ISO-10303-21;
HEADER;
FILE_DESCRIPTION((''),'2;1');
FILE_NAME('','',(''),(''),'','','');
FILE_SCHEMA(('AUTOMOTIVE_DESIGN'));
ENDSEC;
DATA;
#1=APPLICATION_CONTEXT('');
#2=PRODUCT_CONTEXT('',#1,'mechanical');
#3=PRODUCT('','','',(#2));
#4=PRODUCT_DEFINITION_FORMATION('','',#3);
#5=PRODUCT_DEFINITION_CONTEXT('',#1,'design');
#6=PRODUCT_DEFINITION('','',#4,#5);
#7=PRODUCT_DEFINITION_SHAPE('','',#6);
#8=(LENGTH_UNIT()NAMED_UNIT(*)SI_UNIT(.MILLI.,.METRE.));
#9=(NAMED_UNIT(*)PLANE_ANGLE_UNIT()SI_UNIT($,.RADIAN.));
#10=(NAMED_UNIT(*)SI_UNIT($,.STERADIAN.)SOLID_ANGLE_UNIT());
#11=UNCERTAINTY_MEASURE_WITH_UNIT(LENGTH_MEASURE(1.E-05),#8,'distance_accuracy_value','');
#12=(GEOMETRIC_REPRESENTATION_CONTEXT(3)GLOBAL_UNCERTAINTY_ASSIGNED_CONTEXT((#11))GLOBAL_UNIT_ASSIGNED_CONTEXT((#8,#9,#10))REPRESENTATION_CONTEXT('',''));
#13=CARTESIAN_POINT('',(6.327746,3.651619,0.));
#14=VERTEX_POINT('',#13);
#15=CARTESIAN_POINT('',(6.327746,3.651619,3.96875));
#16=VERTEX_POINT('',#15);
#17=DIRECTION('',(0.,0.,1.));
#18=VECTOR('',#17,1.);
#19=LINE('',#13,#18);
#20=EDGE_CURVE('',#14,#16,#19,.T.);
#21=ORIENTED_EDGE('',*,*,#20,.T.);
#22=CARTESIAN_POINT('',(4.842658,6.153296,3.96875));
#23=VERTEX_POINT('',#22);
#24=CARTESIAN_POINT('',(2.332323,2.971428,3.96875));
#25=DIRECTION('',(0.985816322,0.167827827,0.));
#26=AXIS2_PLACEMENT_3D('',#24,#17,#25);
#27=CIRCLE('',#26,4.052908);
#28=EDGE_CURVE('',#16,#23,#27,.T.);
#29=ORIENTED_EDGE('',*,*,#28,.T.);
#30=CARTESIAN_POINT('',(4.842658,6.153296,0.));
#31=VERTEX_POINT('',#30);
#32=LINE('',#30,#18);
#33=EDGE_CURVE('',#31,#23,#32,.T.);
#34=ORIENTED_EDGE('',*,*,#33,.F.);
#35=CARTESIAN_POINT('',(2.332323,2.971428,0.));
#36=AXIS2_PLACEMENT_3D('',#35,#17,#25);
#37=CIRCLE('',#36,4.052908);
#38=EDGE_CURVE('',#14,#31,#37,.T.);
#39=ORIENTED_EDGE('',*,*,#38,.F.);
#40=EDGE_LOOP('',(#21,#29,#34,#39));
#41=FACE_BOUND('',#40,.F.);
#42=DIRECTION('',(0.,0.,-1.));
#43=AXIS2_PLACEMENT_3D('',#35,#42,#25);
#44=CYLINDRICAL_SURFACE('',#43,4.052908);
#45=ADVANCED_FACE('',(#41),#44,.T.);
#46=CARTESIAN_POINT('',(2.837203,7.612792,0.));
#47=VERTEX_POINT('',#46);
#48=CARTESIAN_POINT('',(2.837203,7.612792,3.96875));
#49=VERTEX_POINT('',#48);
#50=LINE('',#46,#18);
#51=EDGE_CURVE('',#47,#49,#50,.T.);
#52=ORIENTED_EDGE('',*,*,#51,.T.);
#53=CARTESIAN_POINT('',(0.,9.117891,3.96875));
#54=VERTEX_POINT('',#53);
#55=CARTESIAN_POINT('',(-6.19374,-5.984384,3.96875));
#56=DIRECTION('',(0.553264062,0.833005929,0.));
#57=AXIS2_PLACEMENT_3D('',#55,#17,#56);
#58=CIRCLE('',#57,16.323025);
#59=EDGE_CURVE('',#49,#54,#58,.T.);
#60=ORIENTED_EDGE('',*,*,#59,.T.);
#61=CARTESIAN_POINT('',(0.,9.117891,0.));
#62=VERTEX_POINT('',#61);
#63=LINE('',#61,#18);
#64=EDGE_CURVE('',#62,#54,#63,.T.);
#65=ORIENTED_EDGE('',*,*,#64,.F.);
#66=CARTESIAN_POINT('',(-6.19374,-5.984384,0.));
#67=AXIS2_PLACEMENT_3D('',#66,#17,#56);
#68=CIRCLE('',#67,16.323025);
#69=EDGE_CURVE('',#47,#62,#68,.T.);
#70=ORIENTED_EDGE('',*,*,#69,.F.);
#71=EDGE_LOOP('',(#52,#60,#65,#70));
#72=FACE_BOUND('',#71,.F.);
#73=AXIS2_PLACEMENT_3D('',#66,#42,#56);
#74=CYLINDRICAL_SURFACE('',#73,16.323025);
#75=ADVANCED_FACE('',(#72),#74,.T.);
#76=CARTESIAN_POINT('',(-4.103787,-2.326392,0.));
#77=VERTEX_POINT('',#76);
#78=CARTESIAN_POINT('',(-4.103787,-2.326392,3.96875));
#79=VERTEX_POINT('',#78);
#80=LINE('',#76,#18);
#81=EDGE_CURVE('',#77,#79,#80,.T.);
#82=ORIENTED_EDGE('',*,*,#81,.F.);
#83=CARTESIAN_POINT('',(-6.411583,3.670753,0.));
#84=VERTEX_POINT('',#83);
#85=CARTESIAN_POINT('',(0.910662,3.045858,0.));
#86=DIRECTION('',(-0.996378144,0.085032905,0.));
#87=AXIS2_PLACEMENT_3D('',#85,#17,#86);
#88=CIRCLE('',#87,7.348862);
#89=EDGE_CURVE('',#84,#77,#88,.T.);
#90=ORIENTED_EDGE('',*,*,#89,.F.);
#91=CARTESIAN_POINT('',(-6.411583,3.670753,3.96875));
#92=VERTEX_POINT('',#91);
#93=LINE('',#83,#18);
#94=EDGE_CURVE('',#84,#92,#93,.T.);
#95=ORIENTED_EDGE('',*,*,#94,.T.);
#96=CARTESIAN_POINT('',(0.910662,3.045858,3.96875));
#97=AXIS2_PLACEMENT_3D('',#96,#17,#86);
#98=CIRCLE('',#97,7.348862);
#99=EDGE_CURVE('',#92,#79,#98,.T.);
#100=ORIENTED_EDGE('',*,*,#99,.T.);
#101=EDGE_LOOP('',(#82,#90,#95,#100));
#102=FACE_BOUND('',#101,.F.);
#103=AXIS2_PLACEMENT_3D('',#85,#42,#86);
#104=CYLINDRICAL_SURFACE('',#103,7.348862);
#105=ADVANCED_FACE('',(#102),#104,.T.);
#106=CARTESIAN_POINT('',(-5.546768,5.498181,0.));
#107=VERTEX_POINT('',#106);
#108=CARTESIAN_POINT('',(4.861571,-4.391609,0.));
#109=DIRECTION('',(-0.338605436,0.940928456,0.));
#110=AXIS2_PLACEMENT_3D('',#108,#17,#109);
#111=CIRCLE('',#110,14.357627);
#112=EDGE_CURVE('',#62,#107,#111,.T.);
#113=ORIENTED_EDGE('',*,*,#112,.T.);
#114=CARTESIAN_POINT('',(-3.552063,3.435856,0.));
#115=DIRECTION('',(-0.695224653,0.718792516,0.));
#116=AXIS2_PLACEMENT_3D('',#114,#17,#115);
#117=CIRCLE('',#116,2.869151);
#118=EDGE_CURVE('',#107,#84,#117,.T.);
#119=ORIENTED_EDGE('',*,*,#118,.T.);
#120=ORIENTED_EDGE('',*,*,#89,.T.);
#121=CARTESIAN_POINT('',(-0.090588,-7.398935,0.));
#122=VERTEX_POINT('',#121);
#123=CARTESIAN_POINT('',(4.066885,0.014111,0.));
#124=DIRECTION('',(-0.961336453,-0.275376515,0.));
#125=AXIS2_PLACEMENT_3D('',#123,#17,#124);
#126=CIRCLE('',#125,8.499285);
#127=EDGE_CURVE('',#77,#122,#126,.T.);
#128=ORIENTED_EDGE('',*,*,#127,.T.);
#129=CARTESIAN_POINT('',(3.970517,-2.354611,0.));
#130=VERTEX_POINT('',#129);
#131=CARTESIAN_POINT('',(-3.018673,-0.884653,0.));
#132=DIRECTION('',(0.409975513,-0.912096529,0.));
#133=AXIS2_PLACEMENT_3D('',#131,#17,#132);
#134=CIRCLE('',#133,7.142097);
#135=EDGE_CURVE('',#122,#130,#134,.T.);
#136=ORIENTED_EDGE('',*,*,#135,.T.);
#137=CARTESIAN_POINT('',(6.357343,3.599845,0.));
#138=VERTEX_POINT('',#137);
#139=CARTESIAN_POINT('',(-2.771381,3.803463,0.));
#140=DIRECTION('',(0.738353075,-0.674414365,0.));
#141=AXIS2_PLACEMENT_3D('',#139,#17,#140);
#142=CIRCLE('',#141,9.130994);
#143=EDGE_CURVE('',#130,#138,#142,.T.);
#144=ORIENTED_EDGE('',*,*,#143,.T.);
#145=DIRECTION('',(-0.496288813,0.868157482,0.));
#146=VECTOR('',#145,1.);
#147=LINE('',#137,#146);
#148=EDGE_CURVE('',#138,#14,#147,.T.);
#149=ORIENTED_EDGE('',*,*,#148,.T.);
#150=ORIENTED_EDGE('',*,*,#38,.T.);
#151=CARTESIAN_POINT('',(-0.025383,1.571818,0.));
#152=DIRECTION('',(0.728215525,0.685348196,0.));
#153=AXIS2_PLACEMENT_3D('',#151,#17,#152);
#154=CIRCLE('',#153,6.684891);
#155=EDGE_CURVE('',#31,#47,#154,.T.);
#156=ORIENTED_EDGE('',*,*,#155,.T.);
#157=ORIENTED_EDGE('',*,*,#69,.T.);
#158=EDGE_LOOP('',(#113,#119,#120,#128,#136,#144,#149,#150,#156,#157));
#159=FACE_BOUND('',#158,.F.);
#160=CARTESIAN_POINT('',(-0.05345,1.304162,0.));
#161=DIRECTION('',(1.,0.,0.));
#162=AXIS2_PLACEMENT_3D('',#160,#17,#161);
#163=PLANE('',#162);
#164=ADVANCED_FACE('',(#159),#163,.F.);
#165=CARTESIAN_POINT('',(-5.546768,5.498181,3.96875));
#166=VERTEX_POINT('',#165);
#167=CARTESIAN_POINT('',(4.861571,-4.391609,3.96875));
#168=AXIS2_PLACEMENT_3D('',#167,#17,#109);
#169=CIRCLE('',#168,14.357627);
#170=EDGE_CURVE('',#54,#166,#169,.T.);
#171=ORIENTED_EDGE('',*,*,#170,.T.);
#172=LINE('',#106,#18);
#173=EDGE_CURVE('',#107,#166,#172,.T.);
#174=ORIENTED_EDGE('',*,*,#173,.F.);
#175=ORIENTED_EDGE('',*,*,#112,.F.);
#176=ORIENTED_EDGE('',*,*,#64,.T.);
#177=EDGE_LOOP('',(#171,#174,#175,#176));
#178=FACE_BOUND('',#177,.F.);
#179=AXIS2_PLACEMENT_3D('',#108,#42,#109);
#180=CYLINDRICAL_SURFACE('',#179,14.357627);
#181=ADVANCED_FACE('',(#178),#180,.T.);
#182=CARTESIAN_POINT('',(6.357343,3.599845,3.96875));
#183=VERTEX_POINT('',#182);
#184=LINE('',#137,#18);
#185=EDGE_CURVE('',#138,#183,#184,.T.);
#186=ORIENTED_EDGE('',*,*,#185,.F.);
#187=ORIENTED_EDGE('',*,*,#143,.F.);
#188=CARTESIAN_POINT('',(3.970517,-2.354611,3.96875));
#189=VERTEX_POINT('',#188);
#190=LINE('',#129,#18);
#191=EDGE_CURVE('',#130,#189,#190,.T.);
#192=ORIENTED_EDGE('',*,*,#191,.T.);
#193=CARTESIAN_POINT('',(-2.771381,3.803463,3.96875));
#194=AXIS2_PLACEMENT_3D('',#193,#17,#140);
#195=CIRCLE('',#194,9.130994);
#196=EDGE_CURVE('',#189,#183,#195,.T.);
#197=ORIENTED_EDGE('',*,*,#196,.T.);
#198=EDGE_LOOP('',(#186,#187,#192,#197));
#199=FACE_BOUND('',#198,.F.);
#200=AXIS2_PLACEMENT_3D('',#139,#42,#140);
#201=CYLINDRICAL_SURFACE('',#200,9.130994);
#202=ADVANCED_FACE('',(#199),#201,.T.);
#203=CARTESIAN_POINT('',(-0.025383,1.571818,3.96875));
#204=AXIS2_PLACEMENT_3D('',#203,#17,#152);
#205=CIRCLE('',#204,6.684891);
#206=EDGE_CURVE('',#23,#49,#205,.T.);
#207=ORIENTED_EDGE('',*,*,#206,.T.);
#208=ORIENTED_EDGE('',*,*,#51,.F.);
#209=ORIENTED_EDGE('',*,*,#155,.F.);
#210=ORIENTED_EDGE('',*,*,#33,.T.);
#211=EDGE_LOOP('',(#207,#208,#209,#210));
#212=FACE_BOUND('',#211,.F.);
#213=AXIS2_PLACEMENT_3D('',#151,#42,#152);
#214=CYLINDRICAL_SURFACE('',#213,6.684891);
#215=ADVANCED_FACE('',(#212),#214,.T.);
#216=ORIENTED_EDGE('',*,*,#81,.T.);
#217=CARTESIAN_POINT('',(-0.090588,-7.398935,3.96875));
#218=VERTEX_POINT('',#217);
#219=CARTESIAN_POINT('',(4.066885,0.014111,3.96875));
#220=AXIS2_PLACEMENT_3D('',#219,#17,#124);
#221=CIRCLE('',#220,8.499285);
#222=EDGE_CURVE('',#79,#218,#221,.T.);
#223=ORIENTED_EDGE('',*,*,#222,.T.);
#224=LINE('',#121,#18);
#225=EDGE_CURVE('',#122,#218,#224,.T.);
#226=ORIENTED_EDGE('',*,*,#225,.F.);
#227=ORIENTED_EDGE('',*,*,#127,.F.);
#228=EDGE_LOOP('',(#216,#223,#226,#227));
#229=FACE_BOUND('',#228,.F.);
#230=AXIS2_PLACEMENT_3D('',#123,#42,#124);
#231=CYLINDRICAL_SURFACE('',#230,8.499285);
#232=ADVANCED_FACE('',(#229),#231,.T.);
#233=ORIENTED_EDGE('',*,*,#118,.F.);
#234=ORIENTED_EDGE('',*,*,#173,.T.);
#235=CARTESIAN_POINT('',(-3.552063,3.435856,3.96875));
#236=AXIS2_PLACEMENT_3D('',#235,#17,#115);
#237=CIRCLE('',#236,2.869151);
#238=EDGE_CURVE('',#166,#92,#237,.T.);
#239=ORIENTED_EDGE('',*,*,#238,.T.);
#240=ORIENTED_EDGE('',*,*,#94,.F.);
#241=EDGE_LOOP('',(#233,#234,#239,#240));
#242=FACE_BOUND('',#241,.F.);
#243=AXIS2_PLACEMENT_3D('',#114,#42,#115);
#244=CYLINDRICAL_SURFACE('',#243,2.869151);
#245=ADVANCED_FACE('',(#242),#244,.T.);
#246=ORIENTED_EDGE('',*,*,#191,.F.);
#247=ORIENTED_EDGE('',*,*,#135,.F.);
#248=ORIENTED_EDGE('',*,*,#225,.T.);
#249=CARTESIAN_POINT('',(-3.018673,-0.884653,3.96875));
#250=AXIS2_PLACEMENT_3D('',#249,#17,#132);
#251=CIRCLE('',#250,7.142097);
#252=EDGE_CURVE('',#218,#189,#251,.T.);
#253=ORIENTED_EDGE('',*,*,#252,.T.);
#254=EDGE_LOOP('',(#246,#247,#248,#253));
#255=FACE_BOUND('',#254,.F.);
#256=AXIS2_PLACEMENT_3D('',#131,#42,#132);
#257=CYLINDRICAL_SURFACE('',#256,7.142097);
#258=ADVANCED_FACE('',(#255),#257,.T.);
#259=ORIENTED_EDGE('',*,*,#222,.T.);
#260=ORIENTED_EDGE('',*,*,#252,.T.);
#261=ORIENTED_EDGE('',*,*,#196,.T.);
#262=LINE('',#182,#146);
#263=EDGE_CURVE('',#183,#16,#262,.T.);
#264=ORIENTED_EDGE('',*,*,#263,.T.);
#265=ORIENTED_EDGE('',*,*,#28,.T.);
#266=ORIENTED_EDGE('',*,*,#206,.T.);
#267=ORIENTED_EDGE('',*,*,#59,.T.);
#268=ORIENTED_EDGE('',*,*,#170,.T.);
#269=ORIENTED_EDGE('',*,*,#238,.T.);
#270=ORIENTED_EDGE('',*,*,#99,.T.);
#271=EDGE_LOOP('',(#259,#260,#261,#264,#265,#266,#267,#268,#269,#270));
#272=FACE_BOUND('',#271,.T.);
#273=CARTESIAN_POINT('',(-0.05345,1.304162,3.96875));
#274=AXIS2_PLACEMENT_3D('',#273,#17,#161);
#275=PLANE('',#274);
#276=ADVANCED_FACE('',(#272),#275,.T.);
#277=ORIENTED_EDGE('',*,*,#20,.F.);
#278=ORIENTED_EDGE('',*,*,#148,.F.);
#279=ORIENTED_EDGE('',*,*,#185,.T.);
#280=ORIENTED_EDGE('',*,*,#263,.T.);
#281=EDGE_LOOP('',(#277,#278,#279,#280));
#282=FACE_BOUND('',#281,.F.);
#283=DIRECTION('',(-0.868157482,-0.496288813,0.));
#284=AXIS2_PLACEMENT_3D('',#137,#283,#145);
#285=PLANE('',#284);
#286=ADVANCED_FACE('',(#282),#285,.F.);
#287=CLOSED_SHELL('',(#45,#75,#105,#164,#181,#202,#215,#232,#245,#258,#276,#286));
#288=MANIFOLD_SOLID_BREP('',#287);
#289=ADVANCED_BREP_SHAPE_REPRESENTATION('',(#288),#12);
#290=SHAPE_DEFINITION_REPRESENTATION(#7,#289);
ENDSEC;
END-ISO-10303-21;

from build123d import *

# Parameters (mm, degrees)
F1_DEPTH = 3.96875


with BuildPart() as f1:
    # F0 (on Top) → F1 (new body)
    with BuildSketch(Plane.XY):
        with BuildLine():
            ThreePointArc((6.327746, 3.651619), (5.817408, 5.040304), (4.842658, 6.153296))
            ThreePointArc((4.842658, 6.153296), (3.908213, 6.97687), (2.837203, 7.612792))
            ThreePointArc((2.837203, 7.612792), (1.455709, 8.435292), (0, 9.117891))
            ThreePointArc((0, 9.117891), (-2.984964, 7.632257), (-5.546768, 5.498181))
            ThreePointArc((-5.546768, 5.498181), (-6.145468, 4.663163), (-6.411583, 3.670753))
            ThreePointArc((-6.411583, 3.670753), (-5.947905, 0.406573), (-4.103787, -2.326392))
            ThreePointArc((-4.103787, -2.326392), (-2.598583, -5.259348), (-0.090588, -7.398935))
            ThreePointArc((-0.090588, -7.398935), (2.544544, -5.363511), (3.970517, -2.354611))
            ThreePointArc((3.970517, -2.354611), (5.704057, 0.406109), (6.357343, 3.599845))
            Line((6.357343, 3.599845), (6.327746, 3.651619))
        make_face()
    extrude(amount=F1_DEPTH)


solid = f1.part
